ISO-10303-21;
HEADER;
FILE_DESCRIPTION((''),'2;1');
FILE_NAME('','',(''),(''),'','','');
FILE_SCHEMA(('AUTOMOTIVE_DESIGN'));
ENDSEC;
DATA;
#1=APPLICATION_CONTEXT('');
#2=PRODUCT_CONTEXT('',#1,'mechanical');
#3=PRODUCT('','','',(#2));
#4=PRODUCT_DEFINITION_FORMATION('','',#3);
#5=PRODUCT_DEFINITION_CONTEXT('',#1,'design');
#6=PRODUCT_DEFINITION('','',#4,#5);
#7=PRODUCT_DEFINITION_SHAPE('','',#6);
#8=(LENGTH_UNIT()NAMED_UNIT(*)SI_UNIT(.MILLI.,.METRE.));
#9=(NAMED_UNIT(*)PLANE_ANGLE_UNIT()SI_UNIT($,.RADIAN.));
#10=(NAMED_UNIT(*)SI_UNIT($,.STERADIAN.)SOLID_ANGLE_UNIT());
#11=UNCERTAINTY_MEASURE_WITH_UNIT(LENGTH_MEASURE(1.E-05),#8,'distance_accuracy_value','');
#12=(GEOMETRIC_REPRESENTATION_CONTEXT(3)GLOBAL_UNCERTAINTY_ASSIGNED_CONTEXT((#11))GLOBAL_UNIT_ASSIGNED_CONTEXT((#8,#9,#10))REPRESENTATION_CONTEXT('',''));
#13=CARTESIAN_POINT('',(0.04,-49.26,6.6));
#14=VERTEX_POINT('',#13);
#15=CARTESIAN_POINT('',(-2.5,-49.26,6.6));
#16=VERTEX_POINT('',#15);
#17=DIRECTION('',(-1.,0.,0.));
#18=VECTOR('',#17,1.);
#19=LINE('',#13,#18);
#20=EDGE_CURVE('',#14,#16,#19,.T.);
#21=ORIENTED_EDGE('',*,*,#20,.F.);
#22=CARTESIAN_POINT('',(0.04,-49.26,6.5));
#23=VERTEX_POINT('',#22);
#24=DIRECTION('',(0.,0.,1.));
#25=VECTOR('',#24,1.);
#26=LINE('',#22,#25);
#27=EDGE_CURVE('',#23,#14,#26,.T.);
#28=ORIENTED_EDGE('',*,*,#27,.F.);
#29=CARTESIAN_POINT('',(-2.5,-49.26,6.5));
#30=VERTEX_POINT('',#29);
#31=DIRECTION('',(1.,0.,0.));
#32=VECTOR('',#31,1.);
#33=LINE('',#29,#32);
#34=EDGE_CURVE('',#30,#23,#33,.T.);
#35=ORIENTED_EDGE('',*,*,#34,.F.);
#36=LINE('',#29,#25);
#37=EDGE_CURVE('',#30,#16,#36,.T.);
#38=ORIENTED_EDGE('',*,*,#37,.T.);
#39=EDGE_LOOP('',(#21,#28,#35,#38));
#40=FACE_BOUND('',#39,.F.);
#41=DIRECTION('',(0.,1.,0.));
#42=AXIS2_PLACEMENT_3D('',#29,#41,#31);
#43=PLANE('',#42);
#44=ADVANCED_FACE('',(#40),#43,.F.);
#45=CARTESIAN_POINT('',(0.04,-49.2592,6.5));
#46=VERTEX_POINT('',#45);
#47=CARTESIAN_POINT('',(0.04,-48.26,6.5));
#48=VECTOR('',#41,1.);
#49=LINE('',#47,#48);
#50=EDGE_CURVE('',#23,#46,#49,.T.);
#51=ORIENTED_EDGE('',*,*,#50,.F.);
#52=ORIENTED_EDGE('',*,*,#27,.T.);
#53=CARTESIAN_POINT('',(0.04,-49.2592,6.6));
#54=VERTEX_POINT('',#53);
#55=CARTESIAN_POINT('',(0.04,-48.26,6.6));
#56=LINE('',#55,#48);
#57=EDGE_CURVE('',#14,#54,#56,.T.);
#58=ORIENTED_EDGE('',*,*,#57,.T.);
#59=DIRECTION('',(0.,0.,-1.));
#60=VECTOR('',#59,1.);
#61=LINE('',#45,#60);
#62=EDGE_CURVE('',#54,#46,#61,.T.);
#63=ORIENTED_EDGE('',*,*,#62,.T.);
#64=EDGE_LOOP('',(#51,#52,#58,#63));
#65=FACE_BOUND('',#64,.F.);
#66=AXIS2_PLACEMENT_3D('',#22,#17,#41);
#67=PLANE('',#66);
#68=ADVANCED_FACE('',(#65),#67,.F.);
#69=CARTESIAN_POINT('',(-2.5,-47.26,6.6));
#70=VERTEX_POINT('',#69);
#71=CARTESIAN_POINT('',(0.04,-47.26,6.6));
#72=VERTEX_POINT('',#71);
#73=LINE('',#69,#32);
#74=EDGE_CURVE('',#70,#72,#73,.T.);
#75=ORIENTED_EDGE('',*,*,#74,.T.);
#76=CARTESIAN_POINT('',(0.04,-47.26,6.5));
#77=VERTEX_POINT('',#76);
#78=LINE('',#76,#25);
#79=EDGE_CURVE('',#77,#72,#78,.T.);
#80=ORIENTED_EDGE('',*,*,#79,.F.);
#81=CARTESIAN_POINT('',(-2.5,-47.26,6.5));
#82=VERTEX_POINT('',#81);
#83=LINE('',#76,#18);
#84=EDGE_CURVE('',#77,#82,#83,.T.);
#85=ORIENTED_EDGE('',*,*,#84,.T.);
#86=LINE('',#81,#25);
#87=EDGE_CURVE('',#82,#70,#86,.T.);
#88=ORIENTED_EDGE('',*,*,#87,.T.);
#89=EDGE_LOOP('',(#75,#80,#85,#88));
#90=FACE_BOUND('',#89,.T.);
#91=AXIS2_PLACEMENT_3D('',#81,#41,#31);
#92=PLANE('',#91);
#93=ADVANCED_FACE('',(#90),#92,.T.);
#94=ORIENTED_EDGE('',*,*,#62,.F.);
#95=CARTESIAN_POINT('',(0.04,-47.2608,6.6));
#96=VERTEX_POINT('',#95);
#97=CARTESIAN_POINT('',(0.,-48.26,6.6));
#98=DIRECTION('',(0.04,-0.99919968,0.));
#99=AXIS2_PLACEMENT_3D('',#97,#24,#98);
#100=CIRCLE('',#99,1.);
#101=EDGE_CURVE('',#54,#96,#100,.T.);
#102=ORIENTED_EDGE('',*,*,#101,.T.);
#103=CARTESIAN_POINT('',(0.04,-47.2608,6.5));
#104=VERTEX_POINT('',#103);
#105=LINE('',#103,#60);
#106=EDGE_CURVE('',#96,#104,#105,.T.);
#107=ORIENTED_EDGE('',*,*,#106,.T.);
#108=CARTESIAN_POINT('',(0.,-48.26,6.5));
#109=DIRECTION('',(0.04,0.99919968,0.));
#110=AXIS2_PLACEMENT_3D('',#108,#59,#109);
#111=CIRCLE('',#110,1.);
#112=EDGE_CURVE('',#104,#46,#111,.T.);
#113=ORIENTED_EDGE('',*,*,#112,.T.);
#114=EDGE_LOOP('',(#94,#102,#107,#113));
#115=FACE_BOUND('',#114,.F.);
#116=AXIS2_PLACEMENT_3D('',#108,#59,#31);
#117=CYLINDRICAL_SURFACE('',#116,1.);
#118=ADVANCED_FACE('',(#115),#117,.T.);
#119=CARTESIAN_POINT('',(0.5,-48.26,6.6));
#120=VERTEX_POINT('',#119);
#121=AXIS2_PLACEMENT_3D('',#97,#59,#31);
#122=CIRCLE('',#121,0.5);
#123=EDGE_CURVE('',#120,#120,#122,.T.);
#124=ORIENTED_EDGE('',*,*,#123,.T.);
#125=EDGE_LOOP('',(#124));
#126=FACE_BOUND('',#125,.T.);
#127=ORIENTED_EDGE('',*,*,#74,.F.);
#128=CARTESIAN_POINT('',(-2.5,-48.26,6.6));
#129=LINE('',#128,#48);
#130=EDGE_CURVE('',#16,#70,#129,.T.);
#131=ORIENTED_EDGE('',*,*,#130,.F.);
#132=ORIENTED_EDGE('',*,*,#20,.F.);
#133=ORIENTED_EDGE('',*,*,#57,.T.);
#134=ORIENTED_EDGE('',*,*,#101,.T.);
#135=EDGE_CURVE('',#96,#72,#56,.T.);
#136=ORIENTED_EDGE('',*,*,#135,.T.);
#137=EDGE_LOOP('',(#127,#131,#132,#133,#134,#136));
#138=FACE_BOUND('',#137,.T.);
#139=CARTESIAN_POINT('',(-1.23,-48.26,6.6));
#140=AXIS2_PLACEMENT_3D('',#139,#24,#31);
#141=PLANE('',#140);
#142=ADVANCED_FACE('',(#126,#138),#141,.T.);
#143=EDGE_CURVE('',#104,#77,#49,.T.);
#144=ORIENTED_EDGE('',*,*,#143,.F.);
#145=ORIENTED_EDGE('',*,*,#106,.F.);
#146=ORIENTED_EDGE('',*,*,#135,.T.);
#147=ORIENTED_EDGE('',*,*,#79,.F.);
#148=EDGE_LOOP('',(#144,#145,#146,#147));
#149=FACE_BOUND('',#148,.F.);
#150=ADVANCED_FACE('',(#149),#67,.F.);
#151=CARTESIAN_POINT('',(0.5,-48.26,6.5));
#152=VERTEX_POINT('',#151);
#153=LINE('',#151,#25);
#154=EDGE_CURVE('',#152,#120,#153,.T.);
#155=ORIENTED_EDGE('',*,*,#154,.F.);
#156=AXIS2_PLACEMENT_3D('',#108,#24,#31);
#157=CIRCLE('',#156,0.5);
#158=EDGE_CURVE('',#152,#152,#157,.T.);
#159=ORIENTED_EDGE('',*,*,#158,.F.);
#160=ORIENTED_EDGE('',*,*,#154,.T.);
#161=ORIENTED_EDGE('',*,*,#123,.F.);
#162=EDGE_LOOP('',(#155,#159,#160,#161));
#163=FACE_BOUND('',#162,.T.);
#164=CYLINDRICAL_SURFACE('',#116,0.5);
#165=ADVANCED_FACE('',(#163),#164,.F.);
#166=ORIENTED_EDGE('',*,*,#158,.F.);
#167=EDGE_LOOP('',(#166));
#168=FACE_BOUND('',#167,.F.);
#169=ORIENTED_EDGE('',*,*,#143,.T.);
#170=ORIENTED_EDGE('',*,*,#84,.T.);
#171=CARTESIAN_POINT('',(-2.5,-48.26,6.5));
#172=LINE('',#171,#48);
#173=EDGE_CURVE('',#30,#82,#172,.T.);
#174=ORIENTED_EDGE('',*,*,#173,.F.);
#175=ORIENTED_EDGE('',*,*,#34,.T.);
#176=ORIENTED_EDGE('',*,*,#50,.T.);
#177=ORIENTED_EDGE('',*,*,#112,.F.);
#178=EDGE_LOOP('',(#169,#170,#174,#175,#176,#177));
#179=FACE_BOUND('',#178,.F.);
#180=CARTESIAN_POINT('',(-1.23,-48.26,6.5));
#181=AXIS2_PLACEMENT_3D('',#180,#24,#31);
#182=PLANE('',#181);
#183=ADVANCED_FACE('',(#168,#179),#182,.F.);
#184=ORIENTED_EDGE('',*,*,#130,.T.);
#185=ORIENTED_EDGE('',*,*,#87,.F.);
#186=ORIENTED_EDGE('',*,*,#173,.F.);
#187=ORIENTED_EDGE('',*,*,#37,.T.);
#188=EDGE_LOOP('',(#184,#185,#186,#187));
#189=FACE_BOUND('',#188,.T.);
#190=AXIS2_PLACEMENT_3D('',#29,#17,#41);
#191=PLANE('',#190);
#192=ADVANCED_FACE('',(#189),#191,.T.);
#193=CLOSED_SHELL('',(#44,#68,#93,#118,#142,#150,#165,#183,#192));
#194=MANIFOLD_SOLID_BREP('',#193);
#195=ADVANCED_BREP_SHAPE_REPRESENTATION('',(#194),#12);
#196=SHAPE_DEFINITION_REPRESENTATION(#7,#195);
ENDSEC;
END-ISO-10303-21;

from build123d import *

# Parameters (mm, degrees)
CYLINDER059_R     = 0.5
CYLINDER059_DEPTH = 0.1
BOX022_W          = 2.54
BOX022_H          = 2
BOX022_DEPTH      = 0.1
CYLINDER058_R     = 0.5
CYLINDER058_DEPTH = 0.1
CYLINDER057_R     = 1
CYLINDER057_DEPTH = 0.1


with BuildPart() as cylinder059:
    # Cylinder059 → Cylinder059 (new body)
    with BuildSketch(Plane.XY.offset(1)):
        Circle(CYLINDER059_R)
    extrude(amount=CYLINDER059_DEPTH)


with BuildPart() as cut040:
    # Box022 → Box022 (new body)
    with BuildSketch(Plane(origin=(-2.5, -1, 1), x_dir=(1, 0, 0), z_dir=(0, 0, 1))):
        with Locations((1.27, 1)):
            Rectangle(BOX022_W, BOX022_H)
    extrude(amount=BOX022_DEPTH)

    # Cut040: cut Cylinder059
    add(cylinder059.part, mode=Mode.SUBTRACT)


with BuildPart() as cylinder058:
    # Cylinder058 → Cylinder058 (new body)
    with BuildSketch(Plane.XY.offset(1)):
        Circle(CYLINDER058_R)
    extrude(amount=CYLINDER058_DEPTH)


with BuildPart() as fusion019:
    # Cylinder057 → Cylinder057 (new body)
    with BuildSketch(Plane.XY.offset(1)):
        Circle(CYLINDER057_R)
    extrude(amount=CYLINDER057_DEPTH)

    # Cut039: cut Cylinder058
    add(cylinder058.part, mode=Mode.SUBTRACT)

    # Fusion019: union Cut040
    add(cut040.part)


with BuildPart() as fusion019_1:
    # Fusion019 placement: moved
    add(fusion019.part.moved(Location((0, -48.26, 5.5))))


solid = fusion019_1.part
